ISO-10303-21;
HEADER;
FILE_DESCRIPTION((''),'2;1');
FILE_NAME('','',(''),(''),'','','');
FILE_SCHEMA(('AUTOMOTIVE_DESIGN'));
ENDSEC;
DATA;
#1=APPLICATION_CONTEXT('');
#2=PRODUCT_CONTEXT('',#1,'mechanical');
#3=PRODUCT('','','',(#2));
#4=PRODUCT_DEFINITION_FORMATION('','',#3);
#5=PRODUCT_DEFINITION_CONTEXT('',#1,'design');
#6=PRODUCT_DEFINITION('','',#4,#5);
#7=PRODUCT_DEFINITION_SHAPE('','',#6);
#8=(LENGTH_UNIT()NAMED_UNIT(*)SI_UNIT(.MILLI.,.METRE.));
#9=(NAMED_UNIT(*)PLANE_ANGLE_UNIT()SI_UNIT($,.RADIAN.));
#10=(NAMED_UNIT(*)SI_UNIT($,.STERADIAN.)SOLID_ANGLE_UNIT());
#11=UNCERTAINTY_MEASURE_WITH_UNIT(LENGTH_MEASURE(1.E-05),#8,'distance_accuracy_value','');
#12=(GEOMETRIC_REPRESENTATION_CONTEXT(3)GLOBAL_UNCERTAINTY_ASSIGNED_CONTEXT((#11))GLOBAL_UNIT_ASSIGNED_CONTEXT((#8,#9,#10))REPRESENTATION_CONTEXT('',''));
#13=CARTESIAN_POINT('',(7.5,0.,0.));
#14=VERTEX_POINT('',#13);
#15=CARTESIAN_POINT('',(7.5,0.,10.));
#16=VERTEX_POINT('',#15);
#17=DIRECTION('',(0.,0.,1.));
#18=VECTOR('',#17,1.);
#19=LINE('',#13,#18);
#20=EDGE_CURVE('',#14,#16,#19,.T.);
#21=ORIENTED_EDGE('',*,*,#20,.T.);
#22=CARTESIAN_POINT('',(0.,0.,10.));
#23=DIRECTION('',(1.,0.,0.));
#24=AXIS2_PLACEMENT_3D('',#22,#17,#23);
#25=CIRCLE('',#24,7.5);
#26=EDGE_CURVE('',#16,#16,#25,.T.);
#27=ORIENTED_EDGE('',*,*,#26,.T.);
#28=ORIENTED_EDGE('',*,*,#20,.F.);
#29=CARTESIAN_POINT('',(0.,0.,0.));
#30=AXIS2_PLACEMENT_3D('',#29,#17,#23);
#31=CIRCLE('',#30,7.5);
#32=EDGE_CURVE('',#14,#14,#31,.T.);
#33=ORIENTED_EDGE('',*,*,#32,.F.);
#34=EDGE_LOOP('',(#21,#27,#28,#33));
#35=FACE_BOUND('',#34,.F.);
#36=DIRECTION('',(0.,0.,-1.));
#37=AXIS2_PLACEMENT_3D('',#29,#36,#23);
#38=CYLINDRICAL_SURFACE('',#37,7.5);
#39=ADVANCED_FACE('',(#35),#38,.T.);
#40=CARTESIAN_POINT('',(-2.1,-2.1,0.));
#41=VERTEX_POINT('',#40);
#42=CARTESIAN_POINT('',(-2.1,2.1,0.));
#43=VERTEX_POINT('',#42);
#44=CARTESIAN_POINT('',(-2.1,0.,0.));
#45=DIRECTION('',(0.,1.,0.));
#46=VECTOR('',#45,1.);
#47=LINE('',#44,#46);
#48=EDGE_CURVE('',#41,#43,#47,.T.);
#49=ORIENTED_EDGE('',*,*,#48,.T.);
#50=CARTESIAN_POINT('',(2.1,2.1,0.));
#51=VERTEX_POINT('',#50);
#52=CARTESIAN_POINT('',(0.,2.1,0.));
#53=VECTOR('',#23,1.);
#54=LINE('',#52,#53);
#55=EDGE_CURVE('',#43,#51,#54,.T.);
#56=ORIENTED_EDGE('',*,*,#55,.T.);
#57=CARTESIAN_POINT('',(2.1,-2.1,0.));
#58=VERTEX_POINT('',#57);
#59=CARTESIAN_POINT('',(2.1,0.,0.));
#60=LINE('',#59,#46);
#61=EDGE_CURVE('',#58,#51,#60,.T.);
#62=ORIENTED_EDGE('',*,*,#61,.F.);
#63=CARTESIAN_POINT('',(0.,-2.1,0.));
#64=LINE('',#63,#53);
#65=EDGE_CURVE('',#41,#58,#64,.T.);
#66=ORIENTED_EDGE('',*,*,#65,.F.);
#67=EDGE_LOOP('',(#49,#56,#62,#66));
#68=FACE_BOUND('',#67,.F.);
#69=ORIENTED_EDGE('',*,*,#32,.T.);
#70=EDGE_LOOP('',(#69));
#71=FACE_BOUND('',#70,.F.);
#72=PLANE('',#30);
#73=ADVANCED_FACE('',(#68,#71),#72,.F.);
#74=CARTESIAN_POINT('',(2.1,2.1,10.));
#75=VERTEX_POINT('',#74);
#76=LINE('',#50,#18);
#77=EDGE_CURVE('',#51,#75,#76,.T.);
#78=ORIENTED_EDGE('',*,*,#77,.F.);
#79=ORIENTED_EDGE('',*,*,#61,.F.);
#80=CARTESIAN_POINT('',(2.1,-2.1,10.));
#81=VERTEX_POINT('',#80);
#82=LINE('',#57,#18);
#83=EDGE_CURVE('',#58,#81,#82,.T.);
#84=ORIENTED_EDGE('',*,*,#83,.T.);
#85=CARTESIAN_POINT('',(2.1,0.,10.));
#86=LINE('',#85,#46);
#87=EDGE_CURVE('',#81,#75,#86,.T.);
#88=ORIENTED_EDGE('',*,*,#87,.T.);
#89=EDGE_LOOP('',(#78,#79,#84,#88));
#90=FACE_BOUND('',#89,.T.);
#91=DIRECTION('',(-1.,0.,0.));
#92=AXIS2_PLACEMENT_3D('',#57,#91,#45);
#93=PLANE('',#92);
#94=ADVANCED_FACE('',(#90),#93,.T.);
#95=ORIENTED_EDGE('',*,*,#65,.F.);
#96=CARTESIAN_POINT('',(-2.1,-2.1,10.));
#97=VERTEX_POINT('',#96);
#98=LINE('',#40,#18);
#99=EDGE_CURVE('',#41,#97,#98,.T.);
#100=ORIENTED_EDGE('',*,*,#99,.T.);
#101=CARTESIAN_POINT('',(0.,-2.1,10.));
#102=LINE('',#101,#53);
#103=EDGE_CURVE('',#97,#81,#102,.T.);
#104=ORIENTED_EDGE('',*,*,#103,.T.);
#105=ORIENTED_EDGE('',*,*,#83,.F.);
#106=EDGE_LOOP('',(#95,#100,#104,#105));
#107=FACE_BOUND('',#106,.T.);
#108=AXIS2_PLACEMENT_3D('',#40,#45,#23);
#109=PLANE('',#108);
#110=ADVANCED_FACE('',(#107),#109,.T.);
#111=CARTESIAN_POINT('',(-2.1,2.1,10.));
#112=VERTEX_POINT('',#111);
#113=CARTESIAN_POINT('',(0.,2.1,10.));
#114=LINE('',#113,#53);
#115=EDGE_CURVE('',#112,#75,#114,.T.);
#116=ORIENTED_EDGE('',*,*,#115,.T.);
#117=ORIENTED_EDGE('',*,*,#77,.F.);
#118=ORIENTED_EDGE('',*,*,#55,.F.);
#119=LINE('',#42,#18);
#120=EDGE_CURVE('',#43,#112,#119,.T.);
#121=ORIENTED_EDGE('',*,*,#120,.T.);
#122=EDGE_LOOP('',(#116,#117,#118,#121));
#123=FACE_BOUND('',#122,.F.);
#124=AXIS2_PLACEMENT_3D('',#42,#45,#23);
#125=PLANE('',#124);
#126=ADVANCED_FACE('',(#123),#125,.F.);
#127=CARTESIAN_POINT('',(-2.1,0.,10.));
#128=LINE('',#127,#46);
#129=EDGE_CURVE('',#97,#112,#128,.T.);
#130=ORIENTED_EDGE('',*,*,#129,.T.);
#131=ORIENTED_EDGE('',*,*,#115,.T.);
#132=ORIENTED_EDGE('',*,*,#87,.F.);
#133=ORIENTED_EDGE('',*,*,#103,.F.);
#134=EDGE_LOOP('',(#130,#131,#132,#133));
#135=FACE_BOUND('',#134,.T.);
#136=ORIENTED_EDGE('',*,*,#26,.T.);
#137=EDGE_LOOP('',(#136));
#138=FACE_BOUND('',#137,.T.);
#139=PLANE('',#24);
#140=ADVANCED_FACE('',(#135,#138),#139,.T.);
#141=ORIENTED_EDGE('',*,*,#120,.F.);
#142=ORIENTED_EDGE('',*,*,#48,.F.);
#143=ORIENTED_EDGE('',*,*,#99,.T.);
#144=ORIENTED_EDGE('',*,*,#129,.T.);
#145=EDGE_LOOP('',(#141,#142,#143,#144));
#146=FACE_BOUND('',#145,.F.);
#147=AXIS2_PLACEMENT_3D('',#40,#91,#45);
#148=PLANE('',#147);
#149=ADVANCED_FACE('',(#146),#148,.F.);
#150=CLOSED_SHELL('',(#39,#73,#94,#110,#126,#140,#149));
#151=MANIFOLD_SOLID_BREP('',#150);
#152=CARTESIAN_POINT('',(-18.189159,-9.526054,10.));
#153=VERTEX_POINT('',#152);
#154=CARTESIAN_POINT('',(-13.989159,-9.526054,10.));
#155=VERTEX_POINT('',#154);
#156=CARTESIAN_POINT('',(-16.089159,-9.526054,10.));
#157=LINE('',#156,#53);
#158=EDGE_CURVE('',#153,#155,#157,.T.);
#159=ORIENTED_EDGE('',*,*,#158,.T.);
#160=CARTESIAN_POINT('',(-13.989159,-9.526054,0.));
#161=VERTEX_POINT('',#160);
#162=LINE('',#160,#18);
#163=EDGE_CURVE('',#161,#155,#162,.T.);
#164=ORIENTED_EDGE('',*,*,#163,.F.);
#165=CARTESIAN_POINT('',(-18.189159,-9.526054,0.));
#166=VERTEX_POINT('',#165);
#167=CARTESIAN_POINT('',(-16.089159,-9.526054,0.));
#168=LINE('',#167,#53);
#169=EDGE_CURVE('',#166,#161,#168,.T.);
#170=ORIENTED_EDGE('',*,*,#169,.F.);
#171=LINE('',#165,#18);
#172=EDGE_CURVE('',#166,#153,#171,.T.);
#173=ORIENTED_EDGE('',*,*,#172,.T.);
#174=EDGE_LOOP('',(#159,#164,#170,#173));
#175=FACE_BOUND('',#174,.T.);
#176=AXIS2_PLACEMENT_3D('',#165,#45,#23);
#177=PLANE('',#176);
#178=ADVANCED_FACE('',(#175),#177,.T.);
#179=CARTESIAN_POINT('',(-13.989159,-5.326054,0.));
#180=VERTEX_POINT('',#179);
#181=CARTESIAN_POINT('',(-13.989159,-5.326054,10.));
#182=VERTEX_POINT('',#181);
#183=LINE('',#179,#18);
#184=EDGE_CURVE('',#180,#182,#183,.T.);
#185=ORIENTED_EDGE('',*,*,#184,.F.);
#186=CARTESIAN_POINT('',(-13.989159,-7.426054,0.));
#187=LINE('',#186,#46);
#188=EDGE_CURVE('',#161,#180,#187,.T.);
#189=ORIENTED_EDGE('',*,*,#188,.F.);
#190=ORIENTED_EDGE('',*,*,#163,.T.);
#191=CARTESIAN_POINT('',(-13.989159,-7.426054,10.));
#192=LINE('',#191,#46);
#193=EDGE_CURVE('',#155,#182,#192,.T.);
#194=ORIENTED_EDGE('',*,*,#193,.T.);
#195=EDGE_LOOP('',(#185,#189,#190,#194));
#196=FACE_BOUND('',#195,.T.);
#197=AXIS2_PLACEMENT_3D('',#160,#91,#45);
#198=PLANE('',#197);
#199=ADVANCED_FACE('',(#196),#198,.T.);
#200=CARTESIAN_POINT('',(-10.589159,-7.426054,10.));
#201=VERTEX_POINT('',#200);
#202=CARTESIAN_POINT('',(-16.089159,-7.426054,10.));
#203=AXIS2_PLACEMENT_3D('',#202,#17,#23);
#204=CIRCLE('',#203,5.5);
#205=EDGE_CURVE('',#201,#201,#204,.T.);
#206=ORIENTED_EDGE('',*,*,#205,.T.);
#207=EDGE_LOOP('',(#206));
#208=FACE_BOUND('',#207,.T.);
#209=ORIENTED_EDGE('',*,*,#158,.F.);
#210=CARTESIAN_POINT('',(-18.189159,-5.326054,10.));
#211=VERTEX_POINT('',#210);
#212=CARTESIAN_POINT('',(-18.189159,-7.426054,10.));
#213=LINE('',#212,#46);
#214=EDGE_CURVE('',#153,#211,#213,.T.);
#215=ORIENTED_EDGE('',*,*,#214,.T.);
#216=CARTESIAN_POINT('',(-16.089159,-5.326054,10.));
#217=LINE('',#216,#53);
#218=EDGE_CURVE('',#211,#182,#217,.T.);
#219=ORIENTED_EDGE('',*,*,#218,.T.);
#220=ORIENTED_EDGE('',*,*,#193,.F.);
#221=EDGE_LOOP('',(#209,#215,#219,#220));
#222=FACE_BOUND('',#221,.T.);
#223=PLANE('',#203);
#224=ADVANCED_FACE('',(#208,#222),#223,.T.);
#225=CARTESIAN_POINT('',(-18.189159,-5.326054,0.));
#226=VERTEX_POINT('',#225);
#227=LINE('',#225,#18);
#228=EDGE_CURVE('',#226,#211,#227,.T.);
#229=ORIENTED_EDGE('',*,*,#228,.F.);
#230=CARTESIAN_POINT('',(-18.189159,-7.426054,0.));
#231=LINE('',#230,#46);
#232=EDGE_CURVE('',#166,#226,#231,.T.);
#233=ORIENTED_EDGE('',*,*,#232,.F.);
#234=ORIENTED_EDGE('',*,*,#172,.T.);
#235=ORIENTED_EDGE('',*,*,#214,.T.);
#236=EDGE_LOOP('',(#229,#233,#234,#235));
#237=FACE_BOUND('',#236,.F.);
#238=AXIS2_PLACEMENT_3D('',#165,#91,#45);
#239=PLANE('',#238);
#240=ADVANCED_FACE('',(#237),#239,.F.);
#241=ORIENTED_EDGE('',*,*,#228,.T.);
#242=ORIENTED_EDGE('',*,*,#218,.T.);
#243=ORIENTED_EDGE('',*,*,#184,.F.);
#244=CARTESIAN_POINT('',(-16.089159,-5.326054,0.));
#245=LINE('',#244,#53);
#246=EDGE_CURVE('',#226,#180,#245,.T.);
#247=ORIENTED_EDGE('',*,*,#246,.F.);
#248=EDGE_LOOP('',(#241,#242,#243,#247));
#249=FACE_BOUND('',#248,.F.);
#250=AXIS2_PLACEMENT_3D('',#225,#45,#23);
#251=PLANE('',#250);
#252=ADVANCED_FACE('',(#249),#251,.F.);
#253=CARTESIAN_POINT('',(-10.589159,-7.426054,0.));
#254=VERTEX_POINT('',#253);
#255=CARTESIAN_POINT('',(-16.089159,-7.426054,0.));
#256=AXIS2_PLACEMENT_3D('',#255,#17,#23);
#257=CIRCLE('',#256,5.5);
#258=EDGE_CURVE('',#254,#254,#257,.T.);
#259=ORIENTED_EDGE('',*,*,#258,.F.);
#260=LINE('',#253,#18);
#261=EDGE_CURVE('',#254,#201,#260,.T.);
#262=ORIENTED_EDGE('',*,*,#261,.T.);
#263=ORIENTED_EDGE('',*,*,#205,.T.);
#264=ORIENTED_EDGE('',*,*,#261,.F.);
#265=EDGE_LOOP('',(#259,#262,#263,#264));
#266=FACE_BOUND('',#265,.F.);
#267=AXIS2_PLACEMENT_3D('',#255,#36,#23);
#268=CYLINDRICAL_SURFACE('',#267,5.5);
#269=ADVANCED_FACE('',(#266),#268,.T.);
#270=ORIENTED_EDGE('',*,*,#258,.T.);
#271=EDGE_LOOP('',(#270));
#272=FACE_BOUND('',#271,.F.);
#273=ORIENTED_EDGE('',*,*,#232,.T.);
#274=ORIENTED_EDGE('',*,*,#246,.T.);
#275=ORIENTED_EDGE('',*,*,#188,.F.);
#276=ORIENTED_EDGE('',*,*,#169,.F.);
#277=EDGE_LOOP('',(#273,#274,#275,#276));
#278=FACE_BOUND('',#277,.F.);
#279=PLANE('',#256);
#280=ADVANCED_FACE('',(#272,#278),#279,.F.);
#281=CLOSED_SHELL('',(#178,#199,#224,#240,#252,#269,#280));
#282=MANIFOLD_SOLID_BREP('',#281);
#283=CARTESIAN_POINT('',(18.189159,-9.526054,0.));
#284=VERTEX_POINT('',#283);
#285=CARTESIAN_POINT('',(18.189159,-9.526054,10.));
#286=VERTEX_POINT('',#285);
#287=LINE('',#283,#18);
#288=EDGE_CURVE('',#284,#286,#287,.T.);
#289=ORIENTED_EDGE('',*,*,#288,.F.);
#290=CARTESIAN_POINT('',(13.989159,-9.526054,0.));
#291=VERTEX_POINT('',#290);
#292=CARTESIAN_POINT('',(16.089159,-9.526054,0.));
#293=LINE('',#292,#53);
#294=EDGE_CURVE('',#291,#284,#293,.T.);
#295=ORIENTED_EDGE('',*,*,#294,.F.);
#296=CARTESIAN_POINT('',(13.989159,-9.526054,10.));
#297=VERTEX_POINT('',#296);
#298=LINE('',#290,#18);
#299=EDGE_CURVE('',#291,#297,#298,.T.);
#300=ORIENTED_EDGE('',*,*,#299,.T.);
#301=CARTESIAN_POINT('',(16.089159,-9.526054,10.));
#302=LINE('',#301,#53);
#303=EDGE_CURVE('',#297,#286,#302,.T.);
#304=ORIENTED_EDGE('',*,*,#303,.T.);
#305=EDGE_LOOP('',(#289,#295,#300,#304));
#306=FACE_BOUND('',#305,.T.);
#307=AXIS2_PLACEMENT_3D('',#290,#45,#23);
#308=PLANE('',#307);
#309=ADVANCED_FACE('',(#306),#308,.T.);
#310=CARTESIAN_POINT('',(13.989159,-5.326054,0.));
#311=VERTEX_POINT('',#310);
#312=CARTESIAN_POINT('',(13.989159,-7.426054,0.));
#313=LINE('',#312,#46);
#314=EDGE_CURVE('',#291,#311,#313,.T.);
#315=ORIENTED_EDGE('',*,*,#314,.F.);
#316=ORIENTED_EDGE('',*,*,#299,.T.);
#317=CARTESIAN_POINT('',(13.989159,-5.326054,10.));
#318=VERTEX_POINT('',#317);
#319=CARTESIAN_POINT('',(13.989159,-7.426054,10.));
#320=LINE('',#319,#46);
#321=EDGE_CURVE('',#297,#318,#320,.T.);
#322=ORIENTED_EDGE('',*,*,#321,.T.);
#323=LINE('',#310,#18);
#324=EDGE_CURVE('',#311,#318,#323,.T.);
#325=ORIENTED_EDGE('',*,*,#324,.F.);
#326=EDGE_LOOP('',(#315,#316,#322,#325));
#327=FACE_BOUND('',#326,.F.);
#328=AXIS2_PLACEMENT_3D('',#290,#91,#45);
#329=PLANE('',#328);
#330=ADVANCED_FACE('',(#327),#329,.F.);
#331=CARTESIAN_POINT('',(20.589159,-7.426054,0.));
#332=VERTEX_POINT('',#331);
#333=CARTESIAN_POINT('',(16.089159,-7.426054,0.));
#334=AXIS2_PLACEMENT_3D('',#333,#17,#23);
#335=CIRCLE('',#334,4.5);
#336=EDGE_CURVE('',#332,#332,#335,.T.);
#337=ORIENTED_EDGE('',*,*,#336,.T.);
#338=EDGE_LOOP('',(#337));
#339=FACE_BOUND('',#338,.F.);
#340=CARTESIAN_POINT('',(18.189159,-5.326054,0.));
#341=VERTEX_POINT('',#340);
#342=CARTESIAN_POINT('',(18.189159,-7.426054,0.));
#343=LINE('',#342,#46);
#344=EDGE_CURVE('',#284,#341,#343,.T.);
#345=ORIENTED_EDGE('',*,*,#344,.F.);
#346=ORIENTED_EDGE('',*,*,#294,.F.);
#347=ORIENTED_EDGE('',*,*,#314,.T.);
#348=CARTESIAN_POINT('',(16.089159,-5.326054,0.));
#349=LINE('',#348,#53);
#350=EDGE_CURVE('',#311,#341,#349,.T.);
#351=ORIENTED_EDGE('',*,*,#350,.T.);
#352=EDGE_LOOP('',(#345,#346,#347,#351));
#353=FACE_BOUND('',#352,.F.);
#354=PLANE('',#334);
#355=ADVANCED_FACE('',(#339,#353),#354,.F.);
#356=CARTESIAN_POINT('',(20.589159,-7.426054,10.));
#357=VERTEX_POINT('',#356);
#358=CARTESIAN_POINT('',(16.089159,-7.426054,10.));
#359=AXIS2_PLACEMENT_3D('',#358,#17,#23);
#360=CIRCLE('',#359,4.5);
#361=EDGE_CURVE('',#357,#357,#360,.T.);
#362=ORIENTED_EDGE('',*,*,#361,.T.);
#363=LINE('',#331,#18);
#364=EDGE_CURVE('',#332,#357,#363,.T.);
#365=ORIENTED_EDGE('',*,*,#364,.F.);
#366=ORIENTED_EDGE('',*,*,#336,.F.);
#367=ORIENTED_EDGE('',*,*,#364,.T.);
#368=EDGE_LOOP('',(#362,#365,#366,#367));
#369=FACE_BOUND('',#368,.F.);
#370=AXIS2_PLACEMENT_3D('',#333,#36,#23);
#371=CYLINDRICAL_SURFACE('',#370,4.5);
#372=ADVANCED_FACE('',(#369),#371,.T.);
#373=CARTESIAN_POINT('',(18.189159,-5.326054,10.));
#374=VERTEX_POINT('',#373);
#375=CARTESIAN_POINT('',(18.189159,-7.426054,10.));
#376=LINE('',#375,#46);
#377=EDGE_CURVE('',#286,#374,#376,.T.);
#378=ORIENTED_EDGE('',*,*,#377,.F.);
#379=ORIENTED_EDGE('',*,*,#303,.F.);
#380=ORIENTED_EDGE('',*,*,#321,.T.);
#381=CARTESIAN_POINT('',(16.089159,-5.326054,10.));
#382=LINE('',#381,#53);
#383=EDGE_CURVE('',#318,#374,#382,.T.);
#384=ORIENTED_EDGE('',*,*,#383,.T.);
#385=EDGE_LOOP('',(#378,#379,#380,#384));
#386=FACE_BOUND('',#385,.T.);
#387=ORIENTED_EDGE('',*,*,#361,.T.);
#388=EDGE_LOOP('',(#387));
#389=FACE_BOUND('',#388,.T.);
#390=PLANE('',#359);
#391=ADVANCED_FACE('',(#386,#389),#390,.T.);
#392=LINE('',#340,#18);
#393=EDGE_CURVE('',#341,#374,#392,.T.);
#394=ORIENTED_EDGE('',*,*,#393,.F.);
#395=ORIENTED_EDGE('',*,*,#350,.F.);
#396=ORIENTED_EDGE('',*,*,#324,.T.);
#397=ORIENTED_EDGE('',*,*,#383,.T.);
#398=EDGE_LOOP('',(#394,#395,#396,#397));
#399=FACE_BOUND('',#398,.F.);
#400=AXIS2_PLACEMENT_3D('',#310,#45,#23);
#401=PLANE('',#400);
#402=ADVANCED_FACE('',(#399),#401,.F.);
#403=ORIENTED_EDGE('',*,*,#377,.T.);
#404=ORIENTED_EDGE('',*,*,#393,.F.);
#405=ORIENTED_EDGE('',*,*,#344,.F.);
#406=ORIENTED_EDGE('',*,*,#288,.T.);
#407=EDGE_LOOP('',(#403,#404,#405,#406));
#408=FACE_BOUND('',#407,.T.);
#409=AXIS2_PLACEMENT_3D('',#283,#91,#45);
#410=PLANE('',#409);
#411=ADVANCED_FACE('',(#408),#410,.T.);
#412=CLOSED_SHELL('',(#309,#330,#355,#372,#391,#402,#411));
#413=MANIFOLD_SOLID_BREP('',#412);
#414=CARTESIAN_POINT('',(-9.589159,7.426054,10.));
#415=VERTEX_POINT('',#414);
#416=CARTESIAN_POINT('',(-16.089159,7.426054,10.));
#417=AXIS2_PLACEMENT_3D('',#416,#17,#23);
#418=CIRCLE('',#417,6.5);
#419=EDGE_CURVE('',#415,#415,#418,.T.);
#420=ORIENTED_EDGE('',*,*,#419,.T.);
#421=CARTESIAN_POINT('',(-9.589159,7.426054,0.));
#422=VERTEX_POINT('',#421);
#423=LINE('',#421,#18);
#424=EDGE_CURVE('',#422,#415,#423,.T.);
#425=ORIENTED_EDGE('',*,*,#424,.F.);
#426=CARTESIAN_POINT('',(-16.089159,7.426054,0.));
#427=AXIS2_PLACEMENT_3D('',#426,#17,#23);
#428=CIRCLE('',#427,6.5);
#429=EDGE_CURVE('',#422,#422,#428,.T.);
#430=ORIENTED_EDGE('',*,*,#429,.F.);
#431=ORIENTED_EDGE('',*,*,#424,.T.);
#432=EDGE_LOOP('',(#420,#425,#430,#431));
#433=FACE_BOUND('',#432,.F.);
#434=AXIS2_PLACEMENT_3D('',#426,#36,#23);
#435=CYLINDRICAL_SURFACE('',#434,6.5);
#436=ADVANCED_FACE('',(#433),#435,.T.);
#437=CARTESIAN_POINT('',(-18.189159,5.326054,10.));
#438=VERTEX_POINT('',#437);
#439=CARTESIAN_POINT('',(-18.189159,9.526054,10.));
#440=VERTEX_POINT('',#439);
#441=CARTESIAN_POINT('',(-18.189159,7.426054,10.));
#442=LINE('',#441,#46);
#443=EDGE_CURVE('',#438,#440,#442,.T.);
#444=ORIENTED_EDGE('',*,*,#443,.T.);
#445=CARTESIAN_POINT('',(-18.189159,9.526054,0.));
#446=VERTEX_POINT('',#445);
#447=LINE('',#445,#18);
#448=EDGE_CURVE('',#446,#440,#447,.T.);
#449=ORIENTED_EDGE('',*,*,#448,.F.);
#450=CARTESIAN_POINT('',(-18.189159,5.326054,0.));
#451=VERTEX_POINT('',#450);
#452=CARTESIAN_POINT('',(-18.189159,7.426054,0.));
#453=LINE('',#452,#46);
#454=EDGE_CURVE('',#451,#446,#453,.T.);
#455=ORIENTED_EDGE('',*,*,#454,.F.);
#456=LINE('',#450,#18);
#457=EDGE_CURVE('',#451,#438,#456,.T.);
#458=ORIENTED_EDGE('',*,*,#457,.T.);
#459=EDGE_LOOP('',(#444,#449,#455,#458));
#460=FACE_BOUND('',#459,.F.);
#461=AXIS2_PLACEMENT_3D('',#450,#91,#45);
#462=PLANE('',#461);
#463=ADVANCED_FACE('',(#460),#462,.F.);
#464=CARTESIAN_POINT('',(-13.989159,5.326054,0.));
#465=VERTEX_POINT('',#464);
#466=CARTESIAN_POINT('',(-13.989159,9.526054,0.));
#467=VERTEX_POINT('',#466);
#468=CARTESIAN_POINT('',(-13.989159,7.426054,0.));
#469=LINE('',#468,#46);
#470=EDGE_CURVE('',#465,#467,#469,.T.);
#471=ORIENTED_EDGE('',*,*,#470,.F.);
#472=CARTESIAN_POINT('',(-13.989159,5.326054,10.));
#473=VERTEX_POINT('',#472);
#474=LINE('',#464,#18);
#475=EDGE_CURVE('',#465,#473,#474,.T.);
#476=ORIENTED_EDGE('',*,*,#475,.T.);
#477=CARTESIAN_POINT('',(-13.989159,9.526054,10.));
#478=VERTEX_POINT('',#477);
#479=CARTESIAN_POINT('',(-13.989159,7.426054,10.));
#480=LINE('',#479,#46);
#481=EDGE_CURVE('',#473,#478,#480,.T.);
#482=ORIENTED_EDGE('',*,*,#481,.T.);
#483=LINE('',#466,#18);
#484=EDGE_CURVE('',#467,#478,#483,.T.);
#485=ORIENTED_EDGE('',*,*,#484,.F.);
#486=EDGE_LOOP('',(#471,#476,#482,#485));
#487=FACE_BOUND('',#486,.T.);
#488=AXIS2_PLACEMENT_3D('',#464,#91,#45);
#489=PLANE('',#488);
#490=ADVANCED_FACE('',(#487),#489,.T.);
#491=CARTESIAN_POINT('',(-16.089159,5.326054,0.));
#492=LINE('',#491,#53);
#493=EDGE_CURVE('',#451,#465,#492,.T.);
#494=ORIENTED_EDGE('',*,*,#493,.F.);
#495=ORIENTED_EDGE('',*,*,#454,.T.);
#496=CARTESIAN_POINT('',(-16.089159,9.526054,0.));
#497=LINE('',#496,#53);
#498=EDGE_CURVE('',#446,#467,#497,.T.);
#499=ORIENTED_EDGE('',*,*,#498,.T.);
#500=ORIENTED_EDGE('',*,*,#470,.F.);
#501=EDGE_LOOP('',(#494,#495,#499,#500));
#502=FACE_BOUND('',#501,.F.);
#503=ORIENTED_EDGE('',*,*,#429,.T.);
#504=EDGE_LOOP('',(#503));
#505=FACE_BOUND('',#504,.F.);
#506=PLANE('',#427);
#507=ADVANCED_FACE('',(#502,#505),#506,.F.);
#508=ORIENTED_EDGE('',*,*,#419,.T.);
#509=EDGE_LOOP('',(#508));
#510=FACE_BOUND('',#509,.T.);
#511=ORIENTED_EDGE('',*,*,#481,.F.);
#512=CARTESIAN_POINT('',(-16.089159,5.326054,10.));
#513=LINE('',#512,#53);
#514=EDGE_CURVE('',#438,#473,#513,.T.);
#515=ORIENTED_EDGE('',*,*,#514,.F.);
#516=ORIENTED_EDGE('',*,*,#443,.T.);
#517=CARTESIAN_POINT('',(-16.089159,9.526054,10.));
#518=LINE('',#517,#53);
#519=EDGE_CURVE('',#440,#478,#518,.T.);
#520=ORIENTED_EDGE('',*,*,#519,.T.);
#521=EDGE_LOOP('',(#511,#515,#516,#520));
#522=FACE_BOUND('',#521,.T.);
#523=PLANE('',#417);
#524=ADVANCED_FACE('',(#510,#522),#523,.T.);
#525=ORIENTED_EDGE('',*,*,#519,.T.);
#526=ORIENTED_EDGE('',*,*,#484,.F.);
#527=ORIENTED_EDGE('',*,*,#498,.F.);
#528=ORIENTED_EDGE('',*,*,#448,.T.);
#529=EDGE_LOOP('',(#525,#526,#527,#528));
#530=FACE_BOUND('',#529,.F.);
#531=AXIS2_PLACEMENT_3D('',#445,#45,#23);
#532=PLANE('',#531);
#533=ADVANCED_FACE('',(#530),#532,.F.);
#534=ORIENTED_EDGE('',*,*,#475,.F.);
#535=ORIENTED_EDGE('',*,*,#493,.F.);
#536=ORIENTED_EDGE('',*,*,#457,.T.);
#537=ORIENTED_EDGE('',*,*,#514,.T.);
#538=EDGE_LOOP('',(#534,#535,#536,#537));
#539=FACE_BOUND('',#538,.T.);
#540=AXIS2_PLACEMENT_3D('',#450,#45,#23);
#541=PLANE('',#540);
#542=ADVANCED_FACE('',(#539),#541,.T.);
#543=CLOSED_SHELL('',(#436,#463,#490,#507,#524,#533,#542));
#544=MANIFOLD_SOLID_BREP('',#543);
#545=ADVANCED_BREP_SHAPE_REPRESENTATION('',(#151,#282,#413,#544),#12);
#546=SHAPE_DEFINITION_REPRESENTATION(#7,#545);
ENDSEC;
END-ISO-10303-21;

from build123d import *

# Parameters (mm, degrees)
F0_R     = 6.5
F0_W     = 4.2
F0_H     = 4.2
F0_R_2   = 5.5
F0_R_3   = 7.5
F0_R_4   = 4.5
F1_DEPTH = 10


with BuildPart() as f1:
    # F0 (on Top) → F1 (new body)
    with BuildSketch(Plane.XY):
        with Locations((-16.089159, 7.426054)):
            Circle(F0_R)
        with Locations((-16.089159, 7.426054)):
            Rectangle(F0_W, F0_H, mode=Mode.SUBTRACT)
        with Locations((-16.089159, -7.426054)):
            Circle(F0_R_2)
        with Locations((-16.089159, -7.426054)):
            Rectangle(F0_W, F0_H, mode=Mode.SUBTRACT)
        Circle(F0_R_3)
        Rectangle(F0_W, F0_H, mode=Mode.SUBTRACT)
        with Locations((16.089159, -7.426054)):
            Circle(F0_R_4)
        with Locations((16.089159, -7.426054)):
            Rectangle(F0_W, F0_H, mode=Mode.SUBTRACT)
    extrude(amount=F1_DEPTH)


solid = f1.part
